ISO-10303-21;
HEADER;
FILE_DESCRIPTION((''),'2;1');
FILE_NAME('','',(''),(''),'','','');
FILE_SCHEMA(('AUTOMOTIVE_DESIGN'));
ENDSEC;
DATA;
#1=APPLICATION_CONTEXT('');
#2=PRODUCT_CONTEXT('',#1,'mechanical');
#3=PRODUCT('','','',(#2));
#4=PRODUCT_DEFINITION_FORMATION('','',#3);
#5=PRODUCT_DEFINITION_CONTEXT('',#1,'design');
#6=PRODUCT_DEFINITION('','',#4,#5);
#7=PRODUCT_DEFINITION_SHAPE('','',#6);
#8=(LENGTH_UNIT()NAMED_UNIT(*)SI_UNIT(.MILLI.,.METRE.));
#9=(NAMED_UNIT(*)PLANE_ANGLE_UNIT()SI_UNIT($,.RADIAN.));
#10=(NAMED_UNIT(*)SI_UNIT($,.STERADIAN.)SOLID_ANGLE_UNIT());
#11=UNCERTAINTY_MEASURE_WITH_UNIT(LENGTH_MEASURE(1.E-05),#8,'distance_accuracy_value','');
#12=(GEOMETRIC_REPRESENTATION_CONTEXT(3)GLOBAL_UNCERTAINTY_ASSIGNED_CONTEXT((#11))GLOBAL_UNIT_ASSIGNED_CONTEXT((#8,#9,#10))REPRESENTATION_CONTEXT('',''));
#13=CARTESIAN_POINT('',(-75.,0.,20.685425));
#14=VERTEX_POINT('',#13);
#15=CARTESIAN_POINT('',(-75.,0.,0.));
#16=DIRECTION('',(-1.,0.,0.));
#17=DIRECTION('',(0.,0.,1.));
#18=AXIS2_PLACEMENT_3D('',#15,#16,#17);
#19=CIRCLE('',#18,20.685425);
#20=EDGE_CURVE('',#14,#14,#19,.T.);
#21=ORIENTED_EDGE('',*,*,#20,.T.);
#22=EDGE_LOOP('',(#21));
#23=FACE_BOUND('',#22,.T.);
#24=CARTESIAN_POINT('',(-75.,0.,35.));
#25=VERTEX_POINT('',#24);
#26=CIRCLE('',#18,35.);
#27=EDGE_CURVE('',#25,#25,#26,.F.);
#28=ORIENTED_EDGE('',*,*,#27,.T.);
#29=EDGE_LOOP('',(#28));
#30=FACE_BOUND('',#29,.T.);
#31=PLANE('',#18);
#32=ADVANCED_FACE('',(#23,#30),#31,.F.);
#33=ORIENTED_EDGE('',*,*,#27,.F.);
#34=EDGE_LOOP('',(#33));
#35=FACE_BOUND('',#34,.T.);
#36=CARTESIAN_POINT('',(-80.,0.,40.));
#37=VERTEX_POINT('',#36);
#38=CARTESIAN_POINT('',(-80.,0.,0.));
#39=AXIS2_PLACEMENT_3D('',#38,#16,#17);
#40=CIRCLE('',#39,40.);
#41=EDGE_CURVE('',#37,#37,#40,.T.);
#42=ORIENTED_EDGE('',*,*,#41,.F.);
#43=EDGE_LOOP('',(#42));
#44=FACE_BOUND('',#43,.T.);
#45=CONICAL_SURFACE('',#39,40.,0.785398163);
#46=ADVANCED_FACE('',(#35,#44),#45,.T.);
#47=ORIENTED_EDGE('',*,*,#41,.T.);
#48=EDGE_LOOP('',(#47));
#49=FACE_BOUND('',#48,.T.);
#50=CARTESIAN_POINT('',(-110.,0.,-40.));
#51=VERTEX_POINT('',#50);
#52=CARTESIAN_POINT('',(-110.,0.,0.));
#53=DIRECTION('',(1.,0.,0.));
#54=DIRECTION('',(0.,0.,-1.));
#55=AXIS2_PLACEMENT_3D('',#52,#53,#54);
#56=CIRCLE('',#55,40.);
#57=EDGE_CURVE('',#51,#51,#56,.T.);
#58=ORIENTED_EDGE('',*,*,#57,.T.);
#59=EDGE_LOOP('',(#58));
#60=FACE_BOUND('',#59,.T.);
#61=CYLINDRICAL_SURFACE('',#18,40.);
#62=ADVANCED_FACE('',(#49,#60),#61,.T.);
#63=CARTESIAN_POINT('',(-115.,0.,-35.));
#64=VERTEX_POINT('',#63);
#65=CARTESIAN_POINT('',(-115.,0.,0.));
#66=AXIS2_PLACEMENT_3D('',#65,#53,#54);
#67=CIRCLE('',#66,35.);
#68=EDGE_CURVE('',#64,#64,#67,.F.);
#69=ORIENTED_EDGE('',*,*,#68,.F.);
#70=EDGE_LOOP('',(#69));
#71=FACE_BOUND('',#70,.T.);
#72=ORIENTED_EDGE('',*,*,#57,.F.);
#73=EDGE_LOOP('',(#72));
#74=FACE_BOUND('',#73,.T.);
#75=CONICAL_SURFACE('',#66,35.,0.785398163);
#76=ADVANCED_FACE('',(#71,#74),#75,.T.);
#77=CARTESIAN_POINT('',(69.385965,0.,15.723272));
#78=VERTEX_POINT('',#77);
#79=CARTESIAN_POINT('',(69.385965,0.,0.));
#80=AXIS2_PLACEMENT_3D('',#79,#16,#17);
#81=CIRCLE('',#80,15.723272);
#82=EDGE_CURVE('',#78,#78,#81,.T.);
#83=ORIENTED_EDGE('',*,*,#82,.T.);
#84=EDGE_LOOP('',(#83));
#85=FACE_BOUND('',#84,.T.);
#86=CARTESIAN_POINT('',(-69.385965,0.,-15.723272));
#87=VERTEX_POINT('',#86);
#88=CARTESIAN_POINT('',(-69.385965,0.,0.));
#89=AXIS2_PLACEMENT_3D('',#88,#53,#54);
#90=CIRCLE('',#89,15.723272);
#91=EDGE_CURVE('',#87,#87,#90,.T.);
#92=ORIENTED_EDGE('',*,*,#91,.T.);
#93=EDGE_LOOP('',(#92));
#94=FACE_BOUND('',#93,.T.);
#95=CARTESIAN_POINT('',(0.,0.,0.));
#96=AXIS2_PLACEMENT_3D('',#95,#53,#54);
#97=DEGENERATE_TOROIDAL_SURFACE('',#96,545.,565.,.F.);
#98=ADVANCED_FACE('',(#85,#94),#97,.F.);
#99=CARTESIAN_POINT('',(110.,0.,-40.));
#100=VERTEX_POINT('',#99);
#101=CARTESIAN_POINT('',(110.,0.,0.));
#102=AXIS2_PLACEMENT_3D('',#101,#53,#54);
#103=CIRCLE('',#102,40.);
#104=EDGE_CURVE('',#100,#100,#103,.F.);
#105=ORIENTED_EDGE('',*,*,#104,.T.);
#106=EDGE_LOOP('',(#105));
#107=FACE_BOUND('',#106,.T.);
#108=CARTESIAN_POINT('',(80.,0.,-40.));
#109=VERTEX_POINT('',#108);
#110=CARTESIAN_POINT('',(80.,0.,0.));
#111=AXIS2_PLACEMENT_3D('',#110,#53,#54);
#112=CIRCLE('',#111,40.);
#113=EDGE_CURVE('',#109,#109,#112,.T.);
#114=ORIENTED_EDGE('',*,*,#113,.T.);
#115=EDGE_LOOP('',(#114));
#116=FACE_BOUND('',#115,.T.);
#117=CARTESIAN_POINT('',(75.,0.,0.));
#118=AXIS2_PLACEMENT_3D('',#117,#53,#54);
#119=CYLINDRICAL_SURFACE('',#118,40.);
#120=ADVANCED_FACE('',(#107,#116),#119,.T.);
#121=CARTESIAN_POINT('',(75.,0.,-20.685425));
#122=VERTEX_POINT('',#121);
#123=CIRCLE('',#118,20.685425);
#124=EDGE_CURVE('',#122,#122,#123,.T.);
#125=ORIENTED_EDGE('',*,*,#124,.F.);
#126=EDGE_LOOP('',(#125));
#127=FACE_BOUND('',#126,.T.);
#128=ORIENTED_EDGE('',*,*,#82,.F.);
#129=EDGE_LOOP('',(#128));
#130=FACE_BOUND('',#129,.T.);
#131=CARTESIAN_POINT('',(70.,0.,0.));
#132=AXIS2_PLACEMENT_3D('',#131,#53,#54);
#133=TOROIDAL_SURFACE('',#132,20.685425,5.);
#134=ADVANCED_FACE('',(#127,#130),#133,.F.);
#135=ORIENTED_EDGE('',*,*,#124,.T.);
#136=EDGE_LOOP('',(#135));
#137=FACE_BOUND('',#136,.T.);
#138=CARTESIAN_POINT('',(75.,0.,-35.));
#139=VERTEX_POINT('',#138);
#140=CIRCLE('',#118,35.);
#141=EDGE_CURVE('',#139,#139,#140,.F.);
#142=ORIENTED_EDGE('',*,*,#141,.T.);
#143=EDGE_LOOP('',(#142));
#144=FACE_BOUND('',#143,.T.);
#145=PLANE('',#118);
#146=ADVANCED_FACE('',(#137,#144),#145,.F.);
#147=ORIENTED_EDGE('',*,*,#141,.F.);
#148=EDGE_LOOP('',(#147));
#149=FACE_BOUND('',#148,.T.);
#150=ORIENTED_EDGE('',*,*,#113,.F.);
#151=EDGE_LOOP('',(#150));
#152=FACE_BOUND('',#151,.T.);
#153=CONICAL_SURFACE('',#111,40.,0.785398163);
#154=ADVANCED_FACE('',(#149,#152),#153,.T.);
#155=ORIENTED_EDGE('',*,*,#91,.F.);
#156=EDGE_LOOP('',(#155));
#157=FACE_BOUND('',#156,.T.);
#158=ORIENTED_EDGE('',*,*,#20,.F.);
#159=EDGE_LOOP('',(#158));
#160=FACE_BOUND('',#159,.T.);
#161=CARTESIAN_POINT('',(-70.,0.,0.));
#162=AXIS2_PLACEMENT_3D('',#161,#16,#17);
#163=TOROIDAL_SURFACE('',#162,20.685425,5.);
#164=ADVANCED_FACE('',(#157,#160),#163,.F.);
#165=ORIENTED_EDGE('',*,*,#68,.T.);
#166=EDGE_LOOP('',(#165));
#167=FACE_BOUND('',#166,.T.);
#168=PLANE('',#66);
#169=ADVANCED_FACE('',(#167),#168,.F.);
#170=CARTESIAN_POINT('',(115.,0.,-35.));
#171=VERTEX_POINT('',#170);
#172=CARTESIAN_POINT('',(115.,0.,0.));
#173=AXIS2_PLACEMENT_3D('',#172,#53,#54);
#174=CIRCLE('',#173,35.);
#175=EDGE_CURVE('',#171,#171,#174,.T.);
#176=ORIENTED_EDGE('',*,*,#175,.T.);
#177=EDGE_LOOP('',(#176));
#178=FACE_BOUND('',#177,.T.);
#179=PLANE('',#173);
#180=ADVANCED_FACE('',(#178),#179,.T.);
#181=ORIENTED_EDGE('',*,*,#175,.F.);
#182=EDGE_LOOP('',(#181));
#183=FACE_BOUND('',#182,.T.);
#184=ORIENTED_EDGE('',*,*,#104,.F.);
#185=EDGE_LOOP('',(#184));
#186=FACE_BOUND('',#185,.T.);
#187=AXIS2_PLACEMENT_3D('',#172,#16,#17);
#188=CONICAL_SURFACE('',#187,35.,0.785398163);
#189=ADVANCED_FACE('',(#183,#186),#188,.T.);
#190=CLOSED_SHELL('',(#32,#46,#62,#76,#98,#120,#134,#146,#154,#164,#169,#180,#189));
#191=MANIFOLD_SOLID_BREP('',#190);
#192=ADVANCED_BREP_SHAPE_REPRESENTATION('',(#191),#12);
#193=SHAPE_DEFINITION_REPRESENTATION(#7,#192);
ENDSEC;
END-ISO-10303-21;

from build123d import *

# Parameters (mm, degrees)
SKETCH5_R           = 15
BOSS_EXTRUDE1_DEPTH = 115
SKETCH6_R           = 40
BOSS_EXTRUDE2_DEPTH = 40
BOSS_EXTRUDE3_START = -40
SKETCH7_R           = 40
BOSS_EXTRUDE3_DEPTH = 40
FILLET2_R           = 5
CHAMFER1_SIZE       = 5


with BuildPart() as part:
    # Sketch5 → Boss-Extrude1 (new, symmetric)
    with BuildSketch(Plane(origin=(0, 0, 0), x_dir=(0, 0, -1), z_dir=(1, 0, 0))):
        Circle(SKETCH5_R)
    extrude(amount=BOSS_EXTRUDE1_DEPTH, both=True)

    # Sketch6 → Boss-Extrude2 (add)
    with BuildSketch(Plane(origin=(115, 0, 0), x_dir=(0, 0, -1), z_dir=(1, 0, 0))):
        Circle(SKETCH6_R)
    extrude(amount=-BOSS_EXTRUDE2_DEPTH)

    # Sketch7 → Boss-Extrude3 (add)
    with BuildSketch(Plane.ZY.offset(115).offset(BOSS_EXTRUDE3_START)):
        with Locations(Location((0, 0, 0), (0, 0, 180))):
            Circle(SKETCH7_R)
    extrude(amount=BOSS_EXTRUDE3_DEPTH)

    # Sketch9 → Revolve1 (revolve)
    with BuildSketch(Plane.XY, mode=Mode.PRIVATE) as revolve1_sk:
        with BuildLine():
            Line((-75, 15), (75, 15))
            ThreePointArc((75, 15), (0, 20), (-75, 15))
        make_face()
    revolve(revolve1_sk.sketch.rotate(Axis((0, 0, 0), (-1, 0, 0)), 90), axis=Axis((0, 0, 0), (-1, 0, 0)))

    # Fillet2
    fillet2_edges = [part.edges().sort_by_distance(p)[0] for p in [
        (-75, 0, 15),
        (75, 0, 15),
    ]]
    fillet(fillet2_edges, radius=FILLET2_R)

    # Chamfer1
    chamfer1_edges = [part.edges().sort_by_distance(p)[0] for p in [
        (-75, 0, 40),
        (-115, 0, 40),
        (75, 0, 40),
        (115, 0, 40),
    ]]
    chamfer(chamfer1_edges, length=CHAMFER1_SIZE)


solid = part.part
